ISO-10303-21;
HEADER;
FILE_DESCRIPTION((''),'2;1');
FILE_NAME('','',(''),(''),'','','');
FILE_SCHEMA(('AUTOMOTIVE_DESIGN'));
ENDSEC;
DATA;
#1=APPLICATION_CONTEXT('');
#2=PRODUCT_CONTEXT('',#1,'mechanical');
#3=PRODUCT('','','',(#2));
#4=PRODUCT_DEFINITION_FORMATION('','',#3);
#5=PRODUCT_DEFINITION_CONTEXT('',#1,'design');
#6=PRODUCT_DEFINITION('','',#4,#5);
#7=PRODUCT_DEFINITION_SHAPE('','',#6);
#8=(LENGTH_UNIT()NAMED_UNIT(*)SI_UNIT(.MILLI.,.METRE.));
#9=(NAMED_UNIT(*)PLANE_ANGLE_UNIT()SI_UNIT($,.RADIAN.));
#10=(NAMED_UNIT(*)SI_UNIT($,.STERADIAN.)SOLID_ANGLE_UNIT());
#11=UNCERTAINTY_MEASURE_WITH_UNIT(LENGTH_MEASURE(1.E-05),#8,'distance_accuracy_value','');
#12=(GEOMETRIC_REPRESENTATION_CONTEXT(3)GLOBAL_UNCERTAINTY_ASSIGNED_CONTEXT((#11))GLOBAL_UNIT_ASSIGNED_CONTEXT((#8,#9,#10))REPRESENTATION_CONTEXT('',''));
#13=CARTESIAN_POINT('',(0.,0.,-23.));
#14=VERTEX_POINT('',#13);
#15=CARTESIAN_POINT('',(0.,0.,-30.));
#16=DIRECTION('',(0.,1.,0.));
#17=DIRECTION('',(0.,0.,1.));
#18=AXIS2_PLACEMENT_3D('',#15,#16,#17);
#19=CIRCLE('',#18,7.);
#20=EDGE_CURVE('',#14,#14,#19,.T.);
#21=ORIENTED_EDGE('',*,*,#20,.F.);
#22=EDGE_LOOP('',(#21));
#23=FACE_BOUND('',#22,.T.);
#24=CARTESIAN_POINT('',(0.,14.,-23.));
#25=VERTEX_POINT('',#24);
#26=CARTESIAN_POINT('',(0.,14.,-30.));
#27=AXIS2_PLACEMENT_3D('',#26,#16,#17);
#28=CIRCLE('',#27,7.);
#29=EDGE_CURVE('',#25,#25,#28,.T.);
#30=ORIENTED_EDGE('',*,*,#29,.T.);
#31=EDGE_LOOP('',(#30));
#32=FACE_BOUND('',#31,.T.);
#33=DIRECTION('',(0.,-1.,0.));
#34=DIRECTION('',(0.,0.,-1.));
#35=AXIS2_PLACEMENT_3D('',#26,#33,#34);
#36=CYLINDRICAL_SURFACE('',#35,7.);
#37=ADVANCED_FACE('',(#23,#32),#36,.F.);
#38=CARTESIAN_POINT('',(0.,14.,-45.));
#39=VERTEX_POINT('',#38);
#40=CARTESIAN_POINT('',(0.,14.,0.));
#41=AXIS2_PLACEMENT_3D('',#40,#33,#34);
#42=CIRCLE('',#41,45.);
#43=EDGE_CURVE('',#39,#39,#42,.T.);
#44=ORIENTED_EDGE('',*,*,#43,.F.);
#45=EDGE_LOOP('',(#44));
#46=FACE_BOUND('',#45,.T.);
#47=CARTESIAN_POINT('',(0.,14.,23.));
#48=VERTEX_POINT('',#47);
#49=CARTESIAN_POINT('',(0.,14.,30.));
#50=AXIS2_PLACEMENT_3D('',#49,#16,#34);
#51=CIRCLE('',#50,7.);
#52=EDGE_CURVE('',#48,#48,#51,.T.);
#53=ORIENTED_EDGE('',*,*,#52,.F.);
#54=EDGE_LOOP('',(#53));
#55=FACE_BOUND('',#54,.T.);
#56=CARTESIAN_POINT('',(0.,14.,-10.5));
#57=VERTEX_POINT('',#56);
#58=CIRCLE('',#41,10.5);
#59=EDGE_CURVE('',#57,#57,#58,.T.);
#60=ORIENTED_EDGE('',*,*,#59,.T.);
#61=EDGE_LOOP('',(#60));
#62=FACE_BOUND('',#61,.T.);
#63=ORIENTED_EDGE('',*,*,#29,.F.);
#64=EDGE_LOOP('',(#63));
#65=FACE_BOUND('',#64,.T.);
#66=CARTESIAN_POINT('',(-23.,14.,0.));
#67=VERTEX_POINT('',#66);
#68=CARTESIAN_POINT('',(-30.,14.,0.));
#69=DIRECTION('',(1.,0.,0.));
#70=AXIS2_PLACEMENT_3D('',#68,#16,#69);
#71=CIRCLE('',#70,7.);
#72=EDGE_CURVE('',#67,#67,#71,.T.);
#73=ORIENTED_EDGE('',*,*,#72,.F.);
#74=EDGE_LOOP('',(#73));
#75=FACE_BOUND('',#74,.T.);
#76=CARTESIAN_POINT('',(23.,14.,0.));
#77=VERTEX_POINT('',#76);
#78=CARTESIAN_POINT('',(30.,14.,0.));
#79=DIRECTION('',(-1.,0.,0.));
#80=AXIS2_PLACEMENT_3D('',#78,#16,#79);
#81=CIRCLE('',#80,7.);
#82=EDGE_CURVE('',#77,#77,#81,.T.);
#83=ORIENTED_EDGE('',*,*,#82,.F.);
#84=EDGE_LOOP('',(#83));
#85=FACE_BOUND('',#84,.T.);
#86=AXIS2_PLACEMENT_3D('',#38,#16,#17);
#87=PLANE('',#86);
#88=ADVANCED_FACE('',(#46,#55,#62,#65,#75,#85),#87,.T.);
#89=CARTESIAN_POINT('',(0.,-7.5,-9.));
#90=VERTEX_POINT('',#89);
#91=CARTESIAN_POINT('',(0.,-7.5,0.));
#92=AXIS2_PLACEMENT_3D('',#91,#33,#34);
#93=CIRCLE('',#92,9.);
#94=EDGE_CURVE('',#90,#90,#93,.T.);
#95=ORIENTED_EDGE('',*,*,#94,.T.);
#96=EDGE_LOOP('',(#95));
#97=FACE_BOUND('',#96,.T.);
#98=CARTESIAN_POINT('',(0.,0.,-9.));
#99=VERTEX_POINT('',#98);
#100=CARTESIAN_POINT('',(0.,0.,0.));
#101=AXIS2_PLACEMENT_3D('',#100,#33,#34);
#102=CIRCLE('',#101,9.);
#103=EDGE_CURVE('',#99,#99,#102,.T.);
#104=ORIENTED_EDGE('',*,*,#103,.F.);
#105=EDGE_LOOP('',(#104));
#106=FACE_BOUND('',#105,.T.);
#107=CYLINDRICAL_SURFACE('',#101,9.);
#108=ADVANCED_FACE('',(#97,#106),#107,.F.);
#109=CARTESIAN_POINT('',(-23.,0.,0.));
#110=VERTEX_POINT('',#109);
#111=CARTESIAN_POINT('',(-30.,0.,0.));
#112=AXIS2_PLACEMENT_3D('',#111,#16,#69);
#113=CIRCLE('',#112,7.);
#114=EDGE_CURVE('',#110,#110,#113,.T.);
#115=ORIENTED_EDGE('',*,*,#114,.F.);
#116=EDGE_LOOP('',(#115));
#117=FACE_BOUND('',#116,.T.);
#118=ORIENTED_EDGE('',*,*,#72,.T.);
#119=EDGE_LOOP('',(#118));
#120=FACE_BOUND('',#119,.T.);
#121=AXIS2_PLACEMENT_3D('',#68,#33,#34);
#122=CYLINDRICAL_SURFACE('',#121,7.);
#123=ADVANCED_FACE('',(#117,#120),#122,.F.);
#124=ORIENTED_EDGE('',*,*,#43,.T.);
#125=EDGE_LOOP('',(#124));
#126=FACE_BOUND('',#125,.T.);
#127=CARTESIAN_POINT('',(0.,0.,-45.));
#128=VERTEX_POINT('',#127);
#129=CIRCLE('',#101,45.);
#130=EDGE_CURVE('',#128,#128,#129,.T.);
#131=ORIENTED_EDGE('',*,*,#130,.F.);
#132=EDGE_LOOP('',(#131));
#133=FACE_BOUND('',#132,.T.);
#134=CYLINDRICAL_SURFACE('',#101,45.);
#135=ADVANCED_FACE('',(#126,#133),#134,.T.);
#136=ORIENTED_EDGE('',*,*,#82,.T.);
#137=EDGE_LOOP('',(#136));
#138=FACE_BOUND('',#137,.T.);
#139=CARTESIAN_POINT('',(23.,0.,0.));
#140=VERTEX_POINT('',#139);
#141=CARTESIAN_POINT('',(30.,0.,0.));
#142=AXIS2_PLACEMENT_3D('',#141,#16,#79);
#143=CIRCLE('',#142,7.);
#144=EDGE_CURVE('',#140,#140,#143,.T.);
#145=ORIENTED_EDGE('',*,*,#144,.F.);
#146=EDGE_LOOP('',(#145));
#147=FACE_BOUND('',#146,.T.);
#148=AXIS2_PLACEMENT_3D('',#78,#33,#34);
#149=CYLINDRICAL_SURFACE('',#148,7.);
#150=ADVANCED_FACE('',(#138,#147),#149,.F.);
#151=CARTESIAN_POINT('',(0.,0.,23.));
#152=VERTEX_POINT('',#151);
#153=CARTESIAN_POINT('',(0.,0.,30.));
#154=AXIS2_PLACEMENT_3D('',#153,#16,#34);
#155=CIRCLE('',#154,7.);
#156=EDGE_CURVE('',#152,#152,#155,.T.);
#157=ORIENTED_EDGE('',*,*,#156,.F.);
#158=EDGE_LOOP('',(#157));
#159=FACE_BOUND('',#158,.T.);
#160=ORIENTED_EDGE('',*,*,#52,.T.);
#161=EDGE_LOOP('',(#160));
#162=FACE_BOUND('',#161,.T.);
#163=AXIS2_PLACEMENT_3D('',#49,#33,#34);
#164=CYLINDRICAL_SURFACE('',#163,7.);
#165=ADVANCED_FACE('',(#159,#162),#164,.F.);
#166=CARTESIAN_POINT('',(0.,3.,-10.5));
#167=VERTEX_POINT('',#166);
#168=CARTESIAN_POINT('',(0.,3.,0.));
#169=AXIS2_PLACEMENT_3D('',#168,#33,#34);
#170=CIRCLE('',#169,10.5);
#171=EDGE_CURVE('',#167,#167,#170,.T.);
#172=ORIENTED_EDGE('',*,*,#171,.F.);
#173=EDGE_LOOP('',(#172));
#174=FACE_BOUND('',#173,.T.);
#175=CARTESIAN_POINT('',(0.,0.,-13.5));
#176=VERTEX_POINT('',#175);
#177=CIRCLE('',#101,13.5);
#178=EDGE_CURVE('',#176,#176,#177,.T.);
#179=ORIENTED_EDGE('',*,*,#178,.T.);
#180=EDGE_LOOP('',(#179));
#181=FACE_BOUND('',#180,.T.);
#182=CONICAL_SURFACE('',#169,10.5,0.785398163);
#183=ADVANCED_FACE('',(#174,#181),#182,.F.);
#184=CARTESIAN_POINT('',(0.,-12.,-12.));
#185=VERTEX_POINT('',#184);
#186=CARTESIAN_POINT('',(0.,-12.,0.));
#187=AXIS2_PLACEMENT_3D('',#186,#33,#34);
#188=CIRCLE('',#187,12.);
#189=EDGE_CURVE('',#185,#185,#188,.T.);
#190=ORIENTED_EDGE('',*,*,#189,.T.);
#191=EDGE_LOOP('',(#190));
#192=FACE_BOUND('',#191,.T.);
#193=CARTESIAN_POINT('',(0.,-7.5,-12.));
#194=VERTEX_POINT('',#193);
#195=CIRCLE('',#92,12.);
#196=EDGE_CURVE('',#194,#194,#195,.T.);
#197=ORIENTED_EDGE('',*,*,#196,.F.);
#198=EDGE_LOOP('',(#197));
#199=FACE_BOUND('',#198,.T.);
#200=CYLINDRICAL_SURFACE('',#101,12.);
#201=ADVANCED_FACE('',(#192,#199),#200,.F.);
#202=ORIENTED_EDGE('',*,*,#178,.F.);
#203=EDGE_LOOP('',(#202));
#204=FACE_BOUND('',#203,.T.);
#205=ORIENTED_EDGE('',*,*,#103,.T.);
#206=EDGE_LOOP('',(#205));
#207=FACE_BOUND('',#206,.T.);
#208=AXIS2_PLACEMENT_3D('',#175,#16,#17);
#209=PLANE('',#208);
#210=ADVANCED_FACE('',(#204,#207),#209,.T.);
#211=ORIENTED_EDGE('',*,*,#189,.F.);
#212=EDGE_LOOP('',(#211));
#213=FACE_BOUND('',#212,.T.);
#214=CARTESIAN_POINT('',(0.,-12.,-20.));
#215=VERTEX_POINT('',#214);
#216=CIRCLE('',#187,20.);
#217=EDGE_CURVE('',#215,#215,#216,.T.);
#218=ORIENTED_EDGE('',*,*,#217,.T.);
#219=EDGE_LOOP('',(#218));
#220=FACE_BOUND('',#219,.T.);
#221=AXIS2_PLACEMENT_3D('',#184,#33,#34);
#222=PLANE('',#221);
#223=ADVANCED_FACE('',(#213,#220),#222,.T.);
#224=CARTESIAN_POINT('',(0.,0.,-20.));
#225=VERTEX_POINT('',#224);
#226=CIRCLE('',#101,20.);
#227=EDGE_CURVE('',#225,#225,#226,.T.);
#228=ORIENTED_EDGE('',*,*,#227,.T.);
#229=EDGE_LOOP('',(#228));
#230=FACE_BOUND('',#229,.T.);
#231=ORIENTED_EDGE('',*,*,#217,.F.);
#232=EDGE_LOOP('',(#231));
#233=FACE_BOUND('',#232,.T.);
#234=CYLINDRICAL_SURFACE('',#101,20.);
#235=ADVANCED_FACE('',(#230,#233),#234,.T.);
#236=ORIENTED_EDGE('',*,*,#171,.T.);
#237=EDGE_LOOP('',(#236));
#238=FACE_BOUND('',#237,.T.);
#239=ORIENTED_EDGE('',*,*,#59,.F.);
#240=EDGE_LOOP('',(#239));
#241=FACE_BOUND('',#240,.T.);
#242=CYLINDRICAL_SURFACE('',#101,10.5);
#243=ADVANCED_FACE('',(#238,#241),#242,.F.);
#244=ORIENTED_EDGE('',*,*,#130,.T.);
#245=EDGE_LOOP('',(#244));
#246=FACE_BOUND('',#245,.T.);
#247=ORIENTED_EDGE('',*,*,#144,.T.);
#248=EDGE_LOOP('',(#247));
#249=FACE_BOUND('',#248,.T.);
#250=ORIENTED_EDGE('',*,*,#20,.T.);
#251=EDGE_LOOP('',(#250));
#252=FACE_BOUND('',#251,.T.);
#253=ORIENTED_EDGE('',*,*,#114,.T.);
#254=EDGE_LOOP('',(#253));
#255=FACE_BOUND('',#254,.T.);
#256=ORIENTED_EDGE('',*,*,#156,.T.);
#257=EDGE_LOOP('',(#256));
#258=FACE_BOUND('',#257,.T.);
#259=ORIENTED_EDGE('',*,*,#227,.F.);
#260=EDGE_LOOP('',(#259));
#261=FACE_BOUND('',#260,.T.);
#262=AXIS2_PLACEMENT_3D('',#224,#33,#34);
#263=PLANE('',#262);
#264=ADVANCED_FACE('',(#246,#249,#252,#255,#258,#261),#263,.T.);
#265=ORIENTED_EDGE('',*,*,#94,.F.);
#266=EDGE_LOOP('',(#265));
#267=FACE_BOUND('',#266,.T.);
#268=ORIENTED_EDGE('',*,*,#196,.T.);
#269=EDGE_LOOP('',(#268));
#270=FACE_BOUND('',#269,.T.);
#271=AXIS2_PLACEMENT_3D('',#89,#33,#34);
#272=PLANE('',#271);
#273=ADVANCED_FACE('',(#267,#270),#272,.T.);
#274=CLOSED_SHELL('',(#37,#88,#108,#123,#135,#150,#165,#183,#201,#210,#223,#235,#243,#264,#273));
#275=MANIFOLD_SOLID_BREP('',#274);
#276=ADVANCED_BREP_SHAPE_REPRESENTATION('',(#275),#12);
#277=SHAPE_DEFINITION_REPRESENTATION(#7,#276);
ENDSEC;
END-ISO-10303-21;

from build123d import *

# Parameters (mm, degrees)
SKETCH_3_R               = 7
CUT_EXTRUDE_1_DEPTH      = 14
PATTERN_CIRCULAR_1_COUNT = 4


with BuildPart() as part:
    # 草图2 → 旋转1 (revolve)
    with BuildSketch(Plane(origin=(0, 0, 0), x_dir=(0, 0, -1), z_dir=(1, 0, 0))):
        Polygon((12, -12), (20, -12), (20, -7.5), (20, 0), (45, 0), (45, 14), (10.5, 14), (10.5, 3), (13.5, 0), (9, 0), (9, -7.5), (12, -7.5), align=None)
    revolve(axis=Axis((0, 0, 0), (0, 1, 0)))

    # 草图3 → 切除-拉伸1 (cut)
    with BuildSketch(Plane(origin=(0, 0, 0), x_dir=(1, 0, 0), z_dir=(0, 1, 0))):
        with Locations(Location((0, 30, 0), (0, 0, 270))):
            Circle(SKETCH_3_R)
    cut_extrude_1 = extrude(amount=CUT_EXTRUDE_1_DEPTH, mode=Mode.SUBTRACT)

    # 阵列(圆周)1: 切除-拉伸1 ×4 about axis
    pattern_circular_1_axis = Axis((0, 0, 0), (0, 1, 0))
    for i in range(1, PATTERN_CIRCULAR_1_COUNT):
        add(cut_extrude_1.rotate(pattern_circular_1_axis, i * 360 / PATTERN_CIRCULAR_1_COUNT), mode=Mode.SUBTRACT)


solid = part.part
